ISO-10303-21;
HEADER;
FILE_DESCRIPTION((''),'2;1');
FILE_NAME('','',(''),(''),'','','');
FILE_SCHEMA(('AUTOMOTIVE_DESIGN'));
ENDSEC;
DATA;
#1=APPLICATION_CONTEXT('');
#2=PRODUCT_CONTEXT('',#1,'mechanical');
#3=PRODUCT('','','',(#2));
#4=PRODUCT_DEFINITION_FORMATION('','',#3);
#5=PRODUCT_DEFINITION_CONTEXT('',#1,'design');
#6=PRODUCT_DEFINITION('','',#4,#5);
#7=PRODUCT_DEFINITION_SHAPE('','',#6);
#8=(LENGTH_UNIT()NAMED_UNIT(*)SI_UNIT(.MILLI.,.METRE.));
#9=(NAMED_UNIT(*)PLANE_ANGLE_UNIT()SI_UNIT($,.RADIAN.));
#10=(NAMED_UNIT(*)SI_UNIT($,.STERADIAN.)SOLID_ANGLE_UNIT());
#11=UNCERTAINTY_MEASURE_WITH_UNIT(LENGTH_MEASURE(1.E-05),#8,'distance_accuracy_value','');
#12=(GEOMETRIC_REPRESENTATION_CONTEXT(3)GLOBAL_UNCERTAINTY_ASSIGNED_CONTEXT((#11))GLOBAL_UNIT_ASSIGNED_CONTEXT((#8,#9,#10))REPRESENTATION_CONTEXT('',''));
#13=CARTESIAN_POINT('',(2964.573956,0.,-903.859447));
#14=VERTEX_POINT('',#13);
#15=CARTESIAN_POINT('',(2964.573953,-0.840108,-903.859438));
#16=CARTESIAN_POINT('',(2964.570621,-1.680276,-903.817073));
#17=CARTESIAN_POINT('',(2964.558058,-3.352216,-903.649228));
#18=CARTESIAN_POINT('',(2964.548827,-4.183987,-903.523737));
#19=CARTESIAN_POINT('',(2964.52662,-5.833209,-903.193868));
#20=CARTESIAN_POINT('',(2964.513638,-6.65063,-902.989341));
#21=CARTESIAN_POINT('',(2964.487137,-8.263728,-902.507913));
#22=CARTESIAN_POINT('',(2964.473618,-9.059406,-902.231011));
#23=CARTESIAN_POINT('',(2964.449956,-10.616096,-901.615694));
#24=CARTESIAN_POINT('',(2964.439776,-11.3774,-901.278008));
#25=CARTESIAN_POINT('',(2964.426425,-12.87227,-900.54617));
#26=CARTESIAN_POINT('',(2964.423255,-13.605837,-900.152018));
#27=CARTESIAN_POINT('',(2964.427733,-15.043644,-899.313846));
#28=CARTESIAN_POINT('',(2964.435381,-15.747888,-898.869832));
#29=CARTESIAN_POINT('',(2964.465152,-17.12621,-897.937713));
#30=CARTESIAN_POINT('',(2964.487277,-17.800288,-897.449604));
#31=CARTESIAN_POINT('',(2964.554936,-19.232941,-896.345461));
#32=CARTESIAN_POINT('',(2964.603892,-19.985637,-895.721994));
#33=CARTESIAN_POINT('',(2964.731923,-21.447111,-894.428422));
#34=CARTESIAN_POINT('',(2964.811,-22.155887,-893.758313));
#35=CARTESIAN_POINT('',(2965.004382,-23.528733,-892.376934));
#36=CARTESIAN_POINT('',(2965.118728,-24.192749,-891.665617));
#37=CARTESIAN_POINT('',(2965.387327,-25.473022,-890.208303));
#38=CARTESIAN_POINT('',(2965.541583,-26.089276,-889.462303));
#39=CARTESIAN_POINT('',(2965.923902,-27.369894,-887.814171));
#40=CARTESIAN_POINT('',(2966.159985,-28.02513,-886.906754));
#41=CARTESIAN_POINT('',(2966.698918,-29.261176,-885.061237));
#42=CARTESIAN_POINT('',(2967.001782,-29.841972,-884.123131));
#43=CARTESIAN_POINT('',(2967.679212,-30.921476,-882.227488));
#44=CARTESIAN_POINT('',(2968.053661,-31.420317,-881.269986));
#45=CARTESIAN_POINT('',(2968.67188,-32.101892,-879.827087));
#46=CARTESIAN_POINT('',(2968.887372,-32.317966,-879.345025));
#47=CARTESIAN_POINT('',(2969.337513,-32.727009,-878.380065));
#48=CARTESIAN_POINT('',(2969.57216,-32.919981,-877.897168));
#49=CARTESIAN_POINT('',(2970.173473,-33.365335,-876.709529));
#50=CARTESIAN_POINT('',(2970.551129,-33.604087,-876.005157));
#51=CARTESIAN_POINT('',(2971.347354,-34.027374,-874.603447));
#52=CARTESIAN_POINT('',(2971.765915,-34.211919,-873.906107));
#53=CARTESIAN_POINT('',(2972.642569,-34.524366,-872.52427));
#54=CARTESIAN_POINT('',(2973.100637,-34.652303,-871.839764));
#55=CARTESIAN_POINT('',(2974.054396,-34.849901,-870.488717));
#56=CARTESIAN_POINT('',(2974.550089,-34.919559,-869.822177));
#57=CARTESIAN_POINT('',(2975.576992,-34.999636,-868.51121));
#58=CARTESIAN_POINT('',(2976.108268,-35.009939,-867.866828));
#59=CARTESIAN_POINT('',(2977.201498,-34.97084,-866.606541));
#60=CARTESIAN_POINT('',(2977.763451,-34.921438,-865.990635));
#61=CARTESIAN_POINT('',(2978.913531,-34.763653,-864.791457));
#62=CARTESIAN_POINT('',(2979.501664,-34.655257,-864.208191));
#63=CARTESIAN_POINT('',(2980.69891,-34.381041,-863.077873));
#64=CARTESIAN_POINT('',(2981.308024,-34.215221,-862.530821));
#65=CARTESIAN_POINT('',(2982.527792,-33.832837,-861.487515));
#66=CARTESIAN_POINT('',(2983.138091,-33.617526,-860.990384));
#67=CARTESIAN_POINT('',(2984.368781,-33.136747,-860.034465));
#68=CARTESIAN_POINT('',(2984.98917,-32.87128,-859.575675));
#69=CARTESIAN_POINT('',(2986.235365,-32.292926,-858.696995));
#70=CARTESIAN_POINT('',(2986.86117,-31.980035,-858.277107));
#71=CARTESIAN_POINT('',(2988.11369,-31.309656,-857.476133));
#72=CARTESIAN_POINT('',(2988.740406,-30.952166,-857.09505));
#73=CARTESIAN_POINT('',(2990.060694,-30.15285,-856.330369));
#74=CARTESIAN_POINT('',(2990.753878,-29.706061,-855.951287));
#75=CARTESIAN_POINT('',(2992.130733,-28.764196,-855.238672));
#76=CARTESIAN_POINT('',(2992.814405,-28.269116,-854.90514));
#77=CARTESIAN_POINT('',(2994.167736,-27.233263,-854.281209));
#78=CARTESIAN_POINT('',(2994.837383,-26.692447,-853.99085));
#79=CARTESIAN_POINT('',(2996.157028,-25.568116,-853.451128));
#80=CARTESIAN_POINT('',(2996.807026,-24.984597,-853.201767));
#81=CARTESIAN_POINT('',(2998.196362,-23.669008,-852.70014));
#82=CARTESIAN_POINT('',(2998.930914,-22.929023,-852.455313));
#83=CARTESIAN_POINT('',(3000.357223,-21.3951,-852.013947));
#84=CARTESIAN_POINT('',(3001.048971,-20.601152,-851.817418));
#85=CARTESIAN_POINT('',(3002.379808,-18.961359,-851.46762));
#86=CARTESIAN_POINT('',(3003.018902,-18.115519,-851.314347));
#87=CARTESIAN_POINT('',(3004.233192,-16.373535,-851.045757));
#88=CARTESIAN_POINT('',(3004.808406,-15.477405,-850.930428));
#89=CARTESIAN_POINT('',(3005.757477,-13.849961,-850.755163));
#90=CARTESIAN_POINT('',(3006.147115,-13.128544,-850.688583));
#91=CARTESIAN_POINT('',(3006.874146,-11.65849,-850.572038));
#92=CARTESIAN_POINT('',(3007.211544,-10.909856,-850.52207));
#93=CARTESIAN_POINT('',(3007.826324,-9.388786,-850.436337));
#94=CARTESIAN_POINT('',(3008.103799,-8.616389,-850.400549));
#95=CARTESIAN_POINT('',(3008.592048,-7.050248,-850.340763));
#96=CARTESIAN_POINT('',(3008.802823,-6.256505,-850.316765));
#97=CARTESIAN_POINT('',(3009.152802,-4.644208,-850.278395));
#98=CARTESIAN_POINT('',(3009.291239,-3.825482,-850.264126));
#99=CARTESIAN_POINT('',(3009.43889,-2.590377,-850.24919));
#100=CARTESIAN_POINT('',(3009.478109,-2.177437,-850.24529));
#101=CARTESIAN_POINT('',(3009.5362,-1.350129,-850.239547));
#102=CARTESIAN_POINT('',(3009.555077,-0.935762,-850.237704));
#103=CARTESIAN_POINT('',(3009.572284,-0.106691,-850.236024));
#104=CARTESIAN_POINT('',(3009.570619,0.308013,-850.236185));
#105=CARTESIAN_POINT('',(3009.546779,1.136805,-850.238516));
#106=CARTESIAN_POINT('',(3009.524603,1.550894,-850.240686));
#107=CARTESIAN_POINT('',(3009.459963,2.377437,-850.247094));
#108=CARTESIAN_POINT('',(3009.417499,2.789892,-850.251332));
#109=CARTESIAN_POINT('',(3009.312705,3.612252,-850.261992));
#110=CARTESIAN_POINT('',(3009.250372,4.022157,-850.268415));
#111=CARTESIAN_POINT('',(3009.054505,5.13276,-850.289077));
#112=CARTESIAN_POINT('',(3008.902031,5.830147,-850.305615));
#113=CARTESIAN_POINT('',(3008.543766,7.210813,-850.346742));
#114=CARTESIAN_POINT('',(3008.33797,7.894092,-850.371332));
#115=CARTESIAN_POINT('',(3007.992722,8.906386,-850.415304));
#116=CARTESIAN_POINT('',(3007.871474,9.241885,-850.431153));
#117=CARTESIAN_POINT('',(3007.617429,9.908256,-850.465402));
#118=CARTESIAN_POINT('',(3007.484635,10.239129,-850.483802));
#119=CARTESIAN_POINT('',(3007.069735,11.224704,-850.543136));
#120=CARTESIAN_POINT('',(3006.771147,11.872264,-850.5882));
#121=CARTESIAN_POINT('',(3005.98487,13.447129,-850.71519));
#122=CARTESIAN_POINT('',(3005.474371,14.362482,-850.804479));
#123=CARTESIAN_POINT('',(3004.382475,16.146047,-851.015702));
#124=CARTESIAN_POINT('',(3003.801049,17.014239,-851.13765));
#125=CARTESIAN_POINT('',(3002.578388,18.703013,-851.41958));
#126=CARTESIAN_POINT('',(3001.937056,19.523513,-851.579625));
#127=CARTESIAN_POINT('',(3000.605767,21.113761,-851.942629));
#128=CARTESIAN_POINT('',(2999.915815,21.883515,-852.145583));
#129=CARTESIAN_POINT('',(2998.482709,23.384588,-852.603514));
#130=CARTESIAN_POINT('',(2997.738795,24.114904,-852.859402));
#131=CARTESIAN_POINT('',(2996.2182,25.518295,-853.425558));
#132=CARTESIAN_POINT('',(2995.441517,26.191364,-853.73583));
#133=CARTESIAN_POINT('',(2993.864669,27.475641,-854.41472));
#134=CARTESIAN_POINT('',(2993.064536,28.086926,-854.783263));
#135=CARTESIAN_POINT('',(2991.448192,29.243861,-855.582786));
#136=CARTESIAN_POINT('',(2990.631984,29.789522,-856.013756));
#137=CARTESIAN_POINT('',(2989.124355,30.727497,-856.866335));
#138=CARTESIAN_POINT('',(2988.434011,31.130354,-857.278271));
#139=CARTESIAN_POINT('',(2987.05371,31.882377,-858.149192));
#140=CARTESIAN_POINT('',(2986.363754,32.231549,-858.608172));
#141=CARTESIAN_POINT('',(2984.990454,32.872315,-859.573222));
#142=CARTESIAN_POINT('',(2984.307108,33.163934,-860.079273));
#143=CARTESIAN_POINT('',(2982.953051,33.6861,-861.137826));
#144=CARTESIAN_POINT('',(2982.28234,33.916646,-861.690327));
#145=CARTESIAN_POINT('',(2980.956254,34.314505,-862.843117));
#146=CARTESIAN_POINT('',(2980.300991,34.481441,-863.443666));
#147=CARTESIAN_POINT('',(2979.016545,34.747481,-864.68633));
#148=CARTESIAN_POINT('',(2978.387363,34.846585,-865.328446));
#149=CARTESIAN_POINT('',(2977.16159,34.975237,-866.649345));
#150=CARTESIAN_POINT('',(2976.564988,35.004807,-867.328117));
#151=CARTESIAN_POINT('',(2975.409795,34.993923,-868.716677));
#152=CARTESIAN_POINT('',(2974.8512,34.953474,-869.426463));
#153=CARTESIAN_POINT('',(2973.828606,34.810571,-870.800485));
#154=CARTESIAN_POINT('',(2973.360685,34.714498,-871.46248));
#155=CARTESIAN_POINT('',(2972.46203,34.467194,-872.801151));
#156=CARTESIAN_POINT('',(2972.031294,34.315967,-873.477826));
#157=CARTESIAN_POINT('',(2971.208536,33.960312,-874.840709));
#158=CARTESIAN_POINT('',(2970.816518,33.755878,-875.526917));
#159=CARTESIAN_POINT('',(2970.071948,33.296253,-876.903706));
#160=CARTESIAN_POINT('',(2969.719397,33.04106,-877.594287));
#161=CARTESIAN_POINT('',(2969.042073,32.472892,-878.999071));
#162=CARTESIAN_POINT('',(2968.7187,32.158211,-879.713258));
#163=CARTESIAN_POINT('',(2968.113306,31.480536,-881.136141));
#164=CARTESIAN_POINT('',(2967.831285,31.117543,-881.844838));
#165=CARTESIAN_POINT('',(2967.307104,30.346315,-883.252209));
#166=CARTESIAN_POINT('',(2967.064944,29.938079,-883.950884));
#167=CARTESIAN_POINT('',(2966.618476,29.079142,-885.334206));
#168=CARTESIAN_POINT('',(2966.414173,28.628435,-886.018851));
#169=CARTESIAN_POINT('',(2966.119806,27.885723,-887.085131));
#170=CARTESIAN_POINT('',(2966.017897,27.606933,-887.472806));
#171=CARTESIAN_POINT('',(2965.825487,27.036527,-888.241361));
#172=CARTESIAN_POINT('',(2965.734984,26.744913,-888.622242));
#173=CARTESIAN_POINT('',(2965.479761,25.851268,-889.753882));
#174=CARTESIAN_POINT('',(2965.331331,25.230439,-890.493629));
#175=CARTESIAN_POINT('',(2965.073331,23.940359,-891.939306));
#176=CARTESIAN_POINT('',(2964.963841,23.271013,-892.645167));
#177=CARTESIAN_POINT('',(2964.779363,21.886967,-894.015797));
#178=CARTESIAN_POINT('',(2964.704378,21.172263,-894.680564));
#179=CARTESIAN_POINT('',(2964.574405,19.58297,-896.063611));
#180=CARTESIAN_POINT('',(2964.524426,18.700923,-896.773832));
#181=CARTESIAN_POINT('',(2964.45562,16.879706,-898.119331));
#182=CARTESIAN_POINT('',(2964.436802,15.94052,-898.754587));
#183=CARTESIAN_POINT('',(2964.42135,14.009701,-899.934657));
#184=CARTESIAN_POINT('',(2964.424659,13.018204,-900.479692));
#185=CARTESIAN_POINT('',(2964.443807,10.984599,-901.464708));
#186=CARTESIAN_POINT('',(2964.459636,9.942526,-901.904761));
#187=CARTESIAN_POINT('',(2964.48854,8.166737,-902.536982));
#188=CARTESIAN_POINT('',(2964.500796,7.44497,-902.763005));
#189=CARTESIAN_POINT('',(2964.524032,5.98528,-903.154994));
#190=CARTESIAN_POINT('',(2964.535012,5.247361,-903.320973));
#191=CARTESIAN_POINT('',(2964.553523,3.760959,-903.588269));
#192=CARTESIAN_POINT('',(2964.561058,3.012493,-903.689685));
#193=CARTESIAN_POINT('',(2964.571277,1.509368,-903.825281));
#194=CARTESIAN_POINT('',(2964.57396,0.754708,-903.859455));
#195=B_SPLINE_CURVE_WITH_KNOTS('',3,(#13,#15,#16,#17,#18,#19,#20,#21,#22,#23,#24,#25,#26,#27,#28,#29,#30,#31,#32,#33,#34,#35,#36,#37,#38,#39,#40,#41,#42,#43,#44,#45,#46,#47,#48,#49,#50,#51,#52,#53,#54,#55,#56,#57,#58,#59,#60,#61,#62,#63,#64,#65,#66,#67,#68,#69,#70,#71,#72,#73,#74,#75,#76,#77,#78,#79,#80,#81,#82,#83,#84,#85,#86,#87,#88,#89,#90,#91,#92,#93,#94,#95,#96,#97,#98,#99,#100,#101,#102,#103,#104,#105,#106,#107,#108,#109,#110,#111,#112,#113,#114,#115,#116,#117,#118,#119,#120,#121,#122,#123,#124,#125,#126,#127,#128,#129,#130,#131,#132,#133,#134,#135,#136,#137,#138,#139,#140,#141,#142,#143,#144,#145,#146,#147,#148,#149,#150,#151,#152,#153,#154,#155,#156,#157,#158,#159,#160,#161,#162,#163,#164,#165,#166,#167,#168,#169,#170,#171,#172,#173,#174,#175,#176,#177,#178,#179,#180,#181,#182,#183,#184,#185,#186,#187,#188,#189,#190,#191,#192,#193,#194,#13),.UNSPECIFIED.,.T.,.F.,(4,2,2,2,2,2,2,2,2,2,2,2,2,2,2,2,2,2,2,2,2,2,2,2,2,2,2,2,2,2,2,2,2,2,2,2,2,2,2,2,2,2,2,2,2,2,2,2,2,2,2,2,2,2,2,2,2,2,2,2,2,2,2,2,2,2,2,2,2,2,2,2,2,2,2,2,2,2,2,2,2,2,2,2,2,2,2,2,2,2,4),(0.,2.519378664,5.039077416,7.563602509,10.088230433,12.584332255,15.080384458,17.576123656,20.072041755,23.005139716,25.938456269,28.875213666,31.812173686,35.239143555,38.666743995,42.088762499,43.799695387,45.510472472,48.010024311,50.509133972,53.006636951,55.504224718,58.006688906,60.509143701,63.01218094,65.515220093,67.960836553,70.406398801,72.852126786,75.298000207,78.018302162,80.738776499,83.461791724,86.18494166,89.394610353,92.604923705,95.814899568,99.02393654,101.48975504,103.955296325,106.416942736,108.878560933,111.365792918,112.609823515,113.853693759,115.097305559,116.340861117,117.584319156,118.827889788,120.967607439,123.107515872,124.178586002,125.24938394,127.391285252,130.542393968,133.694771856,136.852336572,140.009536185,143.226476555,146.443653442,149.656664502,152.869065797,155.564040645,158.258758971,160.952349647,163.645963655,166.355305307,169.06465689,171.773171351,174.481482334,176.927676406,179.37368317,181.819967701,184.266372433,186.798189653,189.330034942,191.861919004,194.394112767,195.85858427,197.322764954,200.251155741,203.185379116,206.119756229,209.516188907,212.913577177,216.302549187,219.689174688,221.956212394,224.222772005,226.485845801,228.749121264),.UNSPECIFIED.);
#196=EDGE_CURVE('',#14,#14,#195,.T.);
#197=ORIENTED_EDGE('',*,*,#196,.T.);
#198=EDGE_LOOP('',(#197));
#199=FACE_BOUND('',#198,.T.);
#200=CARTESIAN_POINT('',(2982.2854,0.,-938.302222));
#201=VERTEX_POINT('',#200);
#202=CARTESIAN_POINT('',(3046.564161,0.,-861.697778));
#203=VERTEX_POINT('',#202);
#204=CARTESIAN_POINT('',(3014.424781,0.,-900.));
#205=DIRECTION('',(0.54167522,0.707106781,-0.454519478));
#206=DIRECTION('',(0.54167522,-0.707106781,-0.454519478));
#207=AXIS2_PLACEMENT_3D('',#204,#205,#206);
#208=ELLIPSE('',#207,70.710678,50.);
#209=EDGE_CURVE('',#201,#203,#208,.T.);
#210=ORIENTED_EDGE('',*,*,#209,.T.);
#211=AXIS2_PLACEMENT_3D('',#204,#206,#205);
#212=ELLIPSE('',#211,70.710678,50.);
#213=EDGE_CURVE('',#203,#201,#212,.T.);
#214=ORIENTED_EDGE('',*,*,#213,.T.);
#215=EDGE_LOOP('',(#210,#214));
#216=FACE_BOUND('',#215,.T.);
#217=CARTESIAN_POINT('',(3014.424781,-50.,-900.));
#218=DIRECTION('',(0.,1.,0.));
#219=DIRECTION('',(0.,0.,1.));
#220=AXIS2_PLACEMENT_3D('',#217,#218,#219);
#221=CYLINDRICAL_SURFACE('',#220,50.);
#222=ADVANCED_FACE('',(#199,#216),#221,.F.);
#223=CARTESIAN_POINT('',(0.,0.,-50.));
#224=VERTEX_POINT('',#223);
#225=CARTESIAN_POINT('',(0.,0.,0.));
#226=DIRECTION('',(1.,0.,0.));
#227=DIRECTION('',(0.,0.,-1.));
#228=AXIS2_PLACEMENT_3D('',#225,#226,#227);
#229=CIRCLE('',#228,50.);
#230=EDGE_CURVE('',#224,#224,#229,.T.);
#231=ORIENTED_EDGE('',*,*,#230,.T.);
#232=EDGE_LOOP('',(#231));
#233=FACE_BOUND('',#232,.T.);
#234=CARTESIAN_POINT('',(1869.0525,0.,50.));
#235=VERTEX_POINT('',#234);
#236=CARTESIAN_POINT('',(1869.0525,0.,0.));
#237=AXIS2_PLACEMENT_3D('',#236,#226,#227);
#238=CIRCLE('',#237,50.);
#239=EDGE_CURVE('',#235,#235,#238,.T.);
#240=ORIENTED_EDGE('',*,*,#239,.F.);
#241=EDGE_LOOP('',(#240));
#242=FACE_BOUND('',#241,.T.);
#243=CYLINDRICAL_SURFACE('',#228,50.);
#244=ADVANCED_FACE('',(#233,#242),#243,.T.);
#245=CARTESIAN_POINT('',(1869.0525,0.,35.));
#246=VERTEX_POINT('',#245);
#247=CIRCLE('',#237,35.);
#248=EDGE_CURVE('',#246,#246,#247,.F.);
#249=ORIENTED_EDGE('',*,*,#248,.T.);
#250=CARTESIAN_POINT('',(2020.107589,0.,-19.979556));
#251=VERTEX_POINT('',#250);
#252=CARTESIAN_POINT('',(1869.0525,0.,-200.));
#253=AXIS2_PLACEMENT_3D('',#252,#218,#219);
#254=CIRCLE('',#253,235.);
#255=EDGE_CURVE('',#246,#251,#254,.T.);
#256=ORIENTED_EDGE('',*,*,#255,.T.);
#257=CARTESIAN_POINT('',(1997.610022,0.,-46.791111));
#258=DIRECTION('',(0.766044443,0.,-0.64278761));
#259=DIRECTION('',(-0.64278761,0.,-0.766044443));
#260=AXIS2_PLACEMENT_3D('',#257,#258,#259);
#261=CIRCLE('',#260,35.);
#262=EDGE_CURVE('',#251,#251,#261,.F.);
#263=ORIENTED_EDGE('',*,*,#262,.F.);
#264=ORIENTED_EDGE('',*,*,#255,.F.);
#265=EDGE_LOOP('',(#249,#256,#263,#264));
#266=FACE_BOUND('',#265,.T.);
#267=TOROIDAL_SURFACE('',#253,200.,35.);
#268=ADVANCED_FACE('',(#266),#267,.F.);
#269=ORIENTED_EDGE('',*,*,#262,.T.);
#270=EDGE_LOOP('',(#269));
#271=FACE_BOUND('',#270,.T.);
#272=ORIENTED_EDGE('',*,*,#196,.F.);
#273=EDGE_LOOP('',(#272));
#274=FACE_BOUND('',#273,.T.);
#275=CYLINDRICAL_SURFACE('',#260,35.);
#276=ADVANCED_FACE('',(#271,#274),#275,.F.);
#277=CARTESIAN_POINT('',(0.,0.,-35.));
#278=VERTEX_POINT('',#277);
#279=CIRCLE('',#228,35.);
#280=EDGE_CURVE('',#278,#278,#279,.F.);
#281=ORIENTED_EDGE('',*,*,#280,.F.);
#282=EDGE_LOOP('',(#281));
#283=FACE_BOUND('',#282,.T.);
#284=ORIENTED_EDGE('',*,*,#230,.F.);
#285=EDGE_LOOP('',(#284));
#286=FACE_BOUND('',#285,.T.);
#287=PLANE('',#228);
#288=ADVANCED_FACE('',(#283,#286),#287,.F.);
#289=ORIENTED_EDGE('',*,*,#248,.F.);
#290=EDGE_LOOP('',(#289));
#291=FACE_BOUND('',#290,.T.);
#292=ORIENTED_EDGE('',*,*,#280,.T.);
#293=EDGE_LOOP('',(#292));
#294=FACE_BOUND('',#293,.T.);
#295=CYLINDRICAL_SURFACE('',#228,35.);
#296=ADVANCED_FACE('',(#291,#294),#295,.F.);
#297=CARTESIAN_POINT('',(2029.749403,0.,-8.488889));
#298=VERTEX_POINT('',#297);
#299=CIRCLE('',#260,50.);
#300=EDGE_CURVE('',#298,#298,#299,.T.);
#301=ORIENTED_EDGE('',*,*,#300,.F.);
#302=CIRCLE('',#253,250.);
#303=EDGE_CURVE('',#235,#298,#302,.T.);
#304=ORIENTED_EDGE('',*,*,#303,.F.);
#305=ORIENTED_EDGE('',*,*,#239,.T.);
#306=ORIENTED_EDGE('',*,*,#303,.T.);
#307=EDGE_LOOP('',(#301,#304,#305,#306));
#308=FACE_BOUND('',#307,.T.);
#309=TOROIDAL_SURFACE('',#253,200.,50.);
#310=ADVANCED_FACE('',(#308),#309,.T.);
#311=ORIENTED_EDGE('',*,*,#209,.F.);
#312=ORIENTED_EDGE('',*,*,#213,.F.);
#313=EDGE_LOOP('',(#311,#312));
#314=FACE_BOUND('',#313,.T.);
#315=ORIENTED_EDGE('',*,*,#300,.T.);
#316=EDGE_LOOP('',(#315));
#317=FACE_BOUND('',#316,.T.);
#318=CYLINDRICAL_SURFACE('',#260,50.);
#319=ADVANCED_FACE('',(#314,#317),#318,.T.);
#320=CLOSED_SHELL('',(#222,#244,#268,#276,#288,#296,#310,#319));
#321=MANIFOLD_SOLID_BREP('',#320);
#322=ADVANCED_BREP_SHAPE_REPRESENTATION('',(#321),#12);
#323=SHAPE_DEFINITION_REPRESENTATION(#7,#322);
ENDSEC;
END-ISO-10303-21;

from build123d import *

# Parameters (mm, degrees)
SKETCH3_R               = 50
SKETCH3_R_2             = 35
CUT_EXTRUDE1_DEPTH      = 3189.175692756
CUT_EXTRUDE1_DEPTH_BACK = 3189.175692756
SKETCH4_R               = 50


with BuildPart() as part:
    # Sweep1: sweep along a path in Sketch2
    with BuildLine(Plane(origin=(0, 0, 0), x_dir=(1, 0, 0), z_dir=(0, 1, 0))) as sweep1_path:
        Line((0, 0), (1869.052500439, 0))
        ThreePointArc((1869.052500439, 0), (1937.456529104, 12.061475843), (1997.610022376, 46.791111376))
        Line((1997.610022376, 46.791111376), (3014.424780627, 900))
    # Sketch3 → Sweep1 (sweep)
    with BuildSketch(Plane(origin=(0, 0, 0), x_dir=(0, 0, -1), z_dir=(1, 0, 0))):
        Circle(SKETCH3_R)
        Circle(SKETCH3_R_2, mode=Mode.SUBTRACT)
    sweep(path=sweep1_path.line)

    # Sketch4 → Cut-Extrude1 (cut, two sides: drawn at the far end of the back side and taken through both)
    with BuildSketch(Plane(origin=(0, 0, 0), x_dir=(1, 0, 0), z_dir=(0, 1, 0)).offset(-CUT_EXTRUDE1_DEPTH_BACK)):
        with Locations((3014.424780627, 900)):
            Circle(SKETCH4_R)
    extrude(amount=CUT_EXTRUDE1_DEPTH + CUT_EXTRUDE1_DEPTH_BACK, mode=Mode.SUBTRACT)


solid = part.part
